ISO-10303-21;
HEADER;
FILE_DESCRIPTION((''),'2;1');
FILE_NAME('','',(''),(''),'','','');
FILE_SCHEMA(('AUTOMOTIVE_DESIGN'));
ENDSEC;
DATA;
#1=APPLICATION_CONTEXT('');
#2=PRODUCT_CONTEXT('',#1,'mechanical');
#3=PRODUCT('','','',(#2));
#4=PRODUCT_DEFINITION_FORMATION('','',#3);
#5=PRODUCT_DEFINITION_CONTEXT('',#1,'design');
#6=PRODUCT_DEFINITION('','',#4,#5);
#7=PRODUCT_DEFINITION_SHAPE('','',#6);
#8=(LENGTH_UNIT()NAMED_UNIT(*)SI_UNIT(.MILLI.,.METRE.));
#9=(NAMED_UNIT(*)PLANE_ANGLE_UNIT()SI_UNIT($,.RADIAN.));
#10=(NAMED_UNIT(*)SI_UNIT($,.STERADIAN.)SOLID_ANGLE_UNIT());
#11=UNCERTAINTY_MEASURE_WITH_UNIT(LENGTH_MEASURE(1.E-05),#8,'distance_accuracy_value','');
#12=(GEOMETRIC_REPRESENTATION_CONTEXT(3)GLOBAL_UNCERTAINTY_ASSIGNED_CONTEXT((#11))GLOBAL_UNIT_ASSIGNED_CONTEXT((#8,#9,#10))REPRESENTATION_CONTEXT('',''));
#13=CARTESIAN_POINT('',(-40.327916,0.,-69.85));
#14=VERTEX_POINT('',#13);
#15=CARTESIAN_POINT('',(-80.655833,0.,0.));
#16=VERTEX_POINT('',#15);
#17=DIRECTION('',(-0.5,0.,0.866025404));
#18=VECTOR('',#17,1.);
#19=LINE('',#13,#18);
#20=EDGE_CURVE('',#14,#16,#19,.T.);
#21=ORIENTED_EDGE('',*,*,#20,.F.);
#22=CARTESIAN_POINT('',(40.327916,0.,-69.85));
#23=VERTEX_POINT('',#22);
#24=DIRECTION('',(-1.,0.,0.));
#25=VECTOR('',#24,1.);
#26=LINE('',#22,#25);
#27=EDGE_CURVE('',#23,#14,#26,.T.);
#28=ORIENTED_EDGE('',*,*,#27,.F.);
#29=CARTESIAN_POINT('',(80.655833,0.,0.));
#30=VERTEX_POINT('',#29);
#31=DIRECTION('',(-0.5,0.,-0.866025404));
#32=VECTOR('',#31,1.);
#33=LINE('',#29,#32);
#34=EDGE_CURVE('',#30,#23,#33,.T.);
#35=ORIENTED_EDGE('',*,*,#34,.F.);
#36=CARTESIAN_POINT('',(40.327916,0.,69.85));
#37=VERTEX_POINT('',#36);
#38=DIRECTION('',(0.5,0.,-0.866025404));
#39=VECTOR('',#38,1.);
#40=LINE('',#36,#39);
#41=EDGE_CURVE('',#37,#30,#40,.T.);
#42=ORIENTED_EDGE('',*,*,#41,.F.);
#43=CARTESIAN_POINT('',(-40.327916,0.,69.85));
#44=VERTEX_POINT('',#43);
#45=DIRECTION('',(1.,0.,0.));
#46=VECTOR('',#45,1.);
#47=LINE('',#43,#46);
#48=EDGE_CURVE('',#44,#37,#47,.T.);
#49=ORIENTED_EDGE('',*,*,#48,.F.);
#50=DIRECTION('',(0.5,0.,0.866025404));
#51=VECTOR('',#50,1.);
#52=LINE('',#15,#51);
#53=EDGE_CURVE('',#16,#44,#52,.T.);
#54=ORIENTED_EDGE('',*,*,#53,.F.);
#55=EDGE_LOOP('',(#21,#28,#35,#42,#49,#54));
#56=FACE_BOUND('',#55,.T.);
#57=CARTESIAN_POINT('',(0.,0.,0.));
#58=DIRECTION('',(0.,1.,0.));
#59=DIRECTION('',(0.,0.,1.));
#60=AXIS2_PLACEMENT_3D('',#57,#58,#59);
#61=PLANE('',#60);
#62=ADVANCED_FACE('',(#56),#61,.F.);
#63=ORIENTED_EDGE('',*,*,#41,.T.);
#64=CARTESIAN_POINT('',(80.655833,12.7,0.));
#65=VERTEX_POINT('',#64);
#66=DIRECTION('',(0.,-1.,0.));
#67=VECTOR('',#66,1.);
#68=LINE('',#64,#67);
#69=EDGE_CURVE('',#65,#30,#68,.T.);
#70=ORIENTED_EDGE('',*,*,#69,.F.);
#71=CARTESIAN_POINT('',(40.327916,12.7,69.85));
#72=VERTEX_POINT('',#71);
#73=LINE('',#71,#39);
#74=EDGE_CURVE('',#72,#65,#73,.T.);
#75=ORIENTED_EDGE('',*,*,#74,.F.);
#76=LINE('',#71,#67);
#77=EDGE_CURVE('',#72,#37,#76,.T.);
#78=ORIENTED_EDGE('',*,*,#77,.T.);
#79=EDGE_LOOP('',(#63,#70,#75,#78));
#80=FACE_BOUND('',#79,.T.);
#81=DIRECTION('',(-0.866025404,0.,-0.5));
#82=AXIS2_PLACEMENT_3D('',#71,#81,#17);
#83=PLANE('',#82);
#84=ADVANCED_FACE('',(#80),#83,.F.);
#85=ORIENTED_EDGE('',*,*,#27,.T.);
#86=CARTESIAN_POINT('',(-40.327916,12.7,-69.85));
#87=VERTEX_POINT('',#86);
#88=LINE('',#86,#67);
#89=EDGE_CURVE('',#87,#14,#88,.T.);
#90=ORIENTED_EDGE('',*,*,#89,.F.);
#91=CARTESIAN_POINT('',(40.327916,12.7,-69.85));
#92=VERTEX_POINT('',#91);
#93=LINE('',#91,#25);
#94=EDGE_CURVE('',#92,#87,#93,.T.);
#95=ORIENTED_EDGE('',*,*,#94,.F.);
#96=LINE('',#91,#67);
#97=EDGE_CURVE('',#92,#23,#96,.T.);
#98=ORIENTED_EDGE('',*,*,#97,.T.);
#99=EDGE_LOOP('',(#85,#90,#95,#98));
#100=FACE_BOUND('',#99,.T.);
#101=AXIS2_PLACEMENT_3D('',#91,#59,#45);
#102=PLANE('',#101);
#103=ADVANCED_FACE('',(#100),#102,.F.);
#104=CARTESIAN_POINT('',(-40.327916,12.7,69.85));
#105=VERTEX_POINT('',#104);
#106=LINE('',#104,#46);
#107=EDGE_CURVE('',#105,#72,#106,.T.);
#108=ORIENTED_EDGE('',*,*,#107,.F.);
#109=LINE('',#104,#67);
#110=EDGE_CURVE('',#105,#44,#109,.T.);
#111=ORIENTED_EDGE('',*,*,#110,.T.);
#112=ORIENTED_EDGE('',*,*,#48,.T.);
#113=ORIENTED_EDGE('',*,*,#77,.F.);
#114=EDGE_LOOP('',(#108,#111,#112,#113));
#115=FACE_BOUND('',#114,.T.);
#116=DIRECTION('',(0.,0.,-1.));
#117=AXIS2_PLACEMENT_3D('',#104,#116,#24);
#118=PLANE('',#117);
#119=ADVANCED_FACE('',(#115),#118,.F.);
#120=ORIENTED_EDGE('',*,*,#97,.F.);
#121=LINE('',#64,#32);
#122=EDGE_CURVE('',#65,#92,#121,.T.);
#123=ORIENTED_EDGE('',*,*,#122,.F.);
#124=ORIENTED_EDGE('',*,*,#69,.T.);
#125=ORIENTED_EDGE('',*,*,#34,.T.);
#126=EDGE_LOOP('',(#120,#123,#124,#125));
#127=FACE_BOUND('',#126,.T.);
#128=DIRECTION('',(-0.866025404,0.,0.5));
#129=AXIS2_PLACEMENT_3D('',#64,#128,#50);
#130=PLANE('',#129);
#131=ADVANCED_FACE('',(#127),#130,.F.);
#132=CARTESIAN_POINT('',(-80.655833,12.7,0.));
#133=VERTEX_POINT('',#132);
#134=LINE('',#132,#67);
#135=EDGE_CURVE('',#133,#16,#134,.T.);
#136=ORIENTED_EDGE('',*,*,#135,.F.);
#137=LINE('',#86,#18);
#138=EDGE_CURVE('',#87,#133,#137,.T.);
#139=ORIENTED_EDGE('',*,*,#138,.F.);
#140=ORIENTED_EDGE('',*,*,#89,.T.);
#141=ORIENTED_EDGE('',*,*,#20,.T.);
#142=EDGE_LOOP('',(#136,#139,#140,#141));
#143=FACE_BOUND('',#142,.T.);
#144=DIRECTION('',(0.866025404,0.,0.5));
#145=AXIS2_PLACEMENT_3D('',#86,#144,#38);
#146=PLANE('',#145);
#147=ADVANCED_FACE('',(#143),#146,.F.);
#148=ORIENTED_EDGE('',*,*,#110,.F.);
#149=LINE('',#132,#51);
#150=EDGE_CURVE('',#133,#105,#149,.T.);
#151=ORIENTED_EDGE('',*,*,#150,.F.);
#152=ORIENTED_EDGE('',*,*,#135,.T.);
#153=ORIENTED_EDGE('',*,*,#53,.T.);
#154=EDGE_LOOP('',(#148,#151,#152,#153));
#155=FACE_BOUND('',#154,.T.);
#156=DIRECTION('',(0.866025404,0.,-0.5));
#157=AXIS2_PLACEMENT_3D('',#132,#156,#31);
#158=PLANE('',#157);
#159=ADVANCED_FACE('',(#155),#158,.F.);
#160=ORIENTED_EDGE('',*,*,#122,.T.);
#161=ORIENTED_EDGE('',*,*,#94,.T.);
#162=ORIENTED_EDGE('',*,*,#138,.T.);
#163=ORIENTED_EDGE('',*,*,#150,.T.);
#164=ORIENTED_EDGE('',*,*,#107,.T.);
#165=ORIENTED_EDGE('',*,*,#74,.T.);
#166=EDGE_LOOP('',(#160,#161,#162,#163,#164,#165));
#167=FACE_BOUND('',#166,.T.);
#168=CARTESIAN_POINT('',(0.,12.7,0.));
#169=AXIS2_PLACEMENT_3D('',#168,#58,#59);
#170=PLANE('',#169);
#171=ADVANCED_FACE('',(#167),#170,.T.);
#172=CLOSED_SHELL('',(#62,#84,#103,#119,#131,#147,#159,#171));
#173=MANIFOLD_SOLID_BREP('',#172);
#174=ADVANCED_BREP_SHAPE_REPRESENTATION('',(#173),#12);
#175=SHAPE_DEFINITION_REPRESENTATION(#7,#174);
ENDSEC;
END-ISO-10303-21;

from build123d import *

# Parameters (mm, degrees)
BOSS_EXTRUDE1_DEPTH = 12.7


with BuildPart() as part:
    # Sketch1 → Boss-Extrude1 (new body)
    with BuildSketch(Plane(origin=(0, 0, 0), x_dir=(1, 0, 0), z_dir=(0, 1, 0))):
        Polygon((40.327916303, -69.85), (80.655832606, 0), (40.327916303, 69.85), (-40.327916303, 69.85), (-80.655832606, 0), (-40.327916303, -69.85), align=None)
    extrude(amount=BOSS_EXTRUDE1_DEPTH)


solid = part.part
